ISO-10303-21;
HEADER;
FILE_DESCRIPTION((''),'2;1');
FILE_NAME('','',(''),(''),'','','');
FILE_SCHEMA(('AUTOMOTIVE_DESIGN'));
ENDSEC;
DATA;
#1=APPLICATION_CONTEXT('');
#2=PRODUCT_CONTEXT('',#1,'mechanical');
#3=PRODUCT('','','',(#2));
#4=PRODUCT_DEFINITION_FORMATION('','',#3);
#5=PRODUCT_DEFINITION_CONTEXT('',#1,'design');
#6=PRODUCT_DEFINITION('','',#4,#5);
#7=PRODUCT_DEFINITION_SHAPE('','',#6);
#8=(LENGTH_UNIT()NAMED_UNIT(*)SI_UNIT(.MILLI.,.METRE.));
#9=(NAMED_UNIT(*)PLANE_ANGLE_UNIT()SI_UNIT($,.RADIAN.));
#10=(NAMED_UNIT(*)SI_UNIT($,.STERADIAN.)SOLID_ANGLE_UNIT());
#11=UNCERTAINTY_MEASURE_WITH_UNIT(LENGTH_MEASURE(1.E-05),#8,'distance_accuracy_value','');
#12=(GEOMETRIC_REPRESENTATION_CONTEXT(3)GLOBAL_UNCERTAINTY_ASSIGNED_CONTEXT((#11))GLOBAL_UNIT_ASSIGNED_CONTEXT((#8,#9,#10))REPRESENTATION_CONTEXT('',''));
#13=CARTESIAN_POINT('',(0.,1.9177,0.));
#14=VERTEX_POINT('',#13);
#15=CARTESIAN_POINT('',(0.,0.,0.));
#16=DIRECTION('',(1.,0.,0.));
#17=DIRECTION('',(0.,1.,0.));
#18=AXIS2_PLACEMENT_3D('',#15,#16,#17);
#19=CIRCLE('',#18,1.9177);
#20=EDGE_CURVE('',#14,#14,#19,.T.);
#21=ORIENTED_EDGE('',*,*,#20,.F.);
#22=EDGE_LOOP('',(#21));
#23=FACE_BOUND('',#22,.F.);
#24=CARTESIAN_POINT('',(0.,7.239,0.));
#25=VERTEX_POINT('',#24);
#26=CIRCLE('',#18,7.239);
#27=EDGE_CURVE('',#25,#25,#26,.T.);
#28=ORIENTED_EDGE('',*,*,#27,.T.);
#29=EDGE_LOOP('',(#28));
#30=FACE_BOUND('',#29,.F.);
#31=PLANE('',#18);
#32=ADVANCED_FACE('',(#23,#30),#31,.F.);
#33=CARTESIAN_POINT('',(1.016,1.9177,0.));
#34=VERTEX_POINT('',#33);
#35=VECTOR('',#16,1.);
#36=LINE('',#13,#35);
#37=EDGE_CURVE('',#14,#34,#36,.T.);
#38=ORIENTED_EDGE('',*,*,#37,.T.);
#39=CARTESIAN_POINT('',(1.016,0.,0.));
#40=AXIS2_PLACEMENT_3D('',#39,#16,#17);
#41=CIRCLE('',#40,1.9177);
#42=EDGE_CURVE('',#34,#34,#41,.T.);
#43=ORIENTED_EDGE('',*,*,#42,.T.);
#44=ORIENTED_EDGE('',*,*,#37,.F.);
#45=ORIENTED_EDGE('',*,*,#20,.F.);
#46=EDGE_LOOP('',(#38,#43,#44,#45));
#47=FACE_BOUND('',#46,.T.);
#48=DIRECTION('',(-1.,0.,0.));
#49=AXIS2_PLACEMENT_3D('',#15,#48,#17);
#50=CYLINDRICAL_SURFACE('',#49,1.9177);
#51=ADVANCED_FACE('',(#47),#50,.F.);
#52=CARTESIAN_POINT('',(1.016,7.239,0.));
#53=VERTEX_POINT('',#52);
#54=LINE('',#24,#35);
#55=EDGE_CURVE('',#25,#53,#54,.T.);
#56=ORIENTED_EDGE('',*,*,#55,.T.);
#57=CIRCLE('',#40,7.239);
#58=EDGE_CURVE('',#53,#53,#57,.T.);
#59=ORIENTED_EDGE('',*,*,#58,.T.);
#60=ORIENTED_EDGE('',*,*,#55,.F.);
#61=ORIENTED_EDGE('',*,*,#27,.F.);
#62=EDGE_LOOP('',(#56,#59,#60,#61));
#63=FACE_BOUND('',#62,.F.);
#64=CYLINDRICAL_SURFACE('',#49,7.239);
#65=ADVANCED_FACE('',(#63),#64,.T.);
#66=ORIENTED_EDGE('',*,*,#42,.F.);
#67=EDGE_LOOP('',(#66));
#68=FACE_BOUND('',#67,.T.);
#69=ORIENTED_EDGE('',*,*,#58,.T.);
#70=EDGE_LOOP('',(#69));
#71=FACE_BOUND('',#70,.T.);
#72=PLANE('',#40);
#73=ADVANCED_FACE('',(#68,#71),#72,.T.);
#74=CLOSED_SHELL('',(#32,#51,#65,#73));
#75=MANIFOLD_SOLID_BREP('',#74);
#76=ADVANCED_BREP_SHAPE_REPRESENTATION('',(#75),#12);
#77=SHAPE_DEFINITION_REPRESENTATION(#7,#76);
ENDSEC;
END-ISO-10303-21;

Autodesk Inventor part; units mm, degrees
ref_plane "YZ Plane" through (0, 0, 0) normal (1, 0, 0) x (0, 1, 0)
ref_plane "XZ Plane" through (0, 0, 0) normal (0, 1, 0) x (-1, 0, 0)
sketch "Sketch" plane through (0, 0, 0) normal (1, 0, 0) x (0, 1, 0)
  circle A0 centre (0, 0) radius 7.239
  circle A1 centre (0, 0) radius 1.9177
  dimension "d0" = 3.8354
  dimension "d1" = 14.478
extrude "Body" add sketch "Sketch" along normal blind 1.016
ref_plane "Work Plane1" through (0, 0, 0) normal (0, 0, 1) x (1, 0, 0)
equation "\"d0\" = SD1"
equation "\"d1\" = SD2"
equation "\"d2\" = SD"
equation "\"SD1\" = 3.8354"
equation "\"SD2\" = 14.478"
equation "\"SD\" = 1.016"
equation "\"NND\" = 3.5052"
properties part number "SAE J773b - No. 6. SAE Type H. wide" material "Steel, Mild"
